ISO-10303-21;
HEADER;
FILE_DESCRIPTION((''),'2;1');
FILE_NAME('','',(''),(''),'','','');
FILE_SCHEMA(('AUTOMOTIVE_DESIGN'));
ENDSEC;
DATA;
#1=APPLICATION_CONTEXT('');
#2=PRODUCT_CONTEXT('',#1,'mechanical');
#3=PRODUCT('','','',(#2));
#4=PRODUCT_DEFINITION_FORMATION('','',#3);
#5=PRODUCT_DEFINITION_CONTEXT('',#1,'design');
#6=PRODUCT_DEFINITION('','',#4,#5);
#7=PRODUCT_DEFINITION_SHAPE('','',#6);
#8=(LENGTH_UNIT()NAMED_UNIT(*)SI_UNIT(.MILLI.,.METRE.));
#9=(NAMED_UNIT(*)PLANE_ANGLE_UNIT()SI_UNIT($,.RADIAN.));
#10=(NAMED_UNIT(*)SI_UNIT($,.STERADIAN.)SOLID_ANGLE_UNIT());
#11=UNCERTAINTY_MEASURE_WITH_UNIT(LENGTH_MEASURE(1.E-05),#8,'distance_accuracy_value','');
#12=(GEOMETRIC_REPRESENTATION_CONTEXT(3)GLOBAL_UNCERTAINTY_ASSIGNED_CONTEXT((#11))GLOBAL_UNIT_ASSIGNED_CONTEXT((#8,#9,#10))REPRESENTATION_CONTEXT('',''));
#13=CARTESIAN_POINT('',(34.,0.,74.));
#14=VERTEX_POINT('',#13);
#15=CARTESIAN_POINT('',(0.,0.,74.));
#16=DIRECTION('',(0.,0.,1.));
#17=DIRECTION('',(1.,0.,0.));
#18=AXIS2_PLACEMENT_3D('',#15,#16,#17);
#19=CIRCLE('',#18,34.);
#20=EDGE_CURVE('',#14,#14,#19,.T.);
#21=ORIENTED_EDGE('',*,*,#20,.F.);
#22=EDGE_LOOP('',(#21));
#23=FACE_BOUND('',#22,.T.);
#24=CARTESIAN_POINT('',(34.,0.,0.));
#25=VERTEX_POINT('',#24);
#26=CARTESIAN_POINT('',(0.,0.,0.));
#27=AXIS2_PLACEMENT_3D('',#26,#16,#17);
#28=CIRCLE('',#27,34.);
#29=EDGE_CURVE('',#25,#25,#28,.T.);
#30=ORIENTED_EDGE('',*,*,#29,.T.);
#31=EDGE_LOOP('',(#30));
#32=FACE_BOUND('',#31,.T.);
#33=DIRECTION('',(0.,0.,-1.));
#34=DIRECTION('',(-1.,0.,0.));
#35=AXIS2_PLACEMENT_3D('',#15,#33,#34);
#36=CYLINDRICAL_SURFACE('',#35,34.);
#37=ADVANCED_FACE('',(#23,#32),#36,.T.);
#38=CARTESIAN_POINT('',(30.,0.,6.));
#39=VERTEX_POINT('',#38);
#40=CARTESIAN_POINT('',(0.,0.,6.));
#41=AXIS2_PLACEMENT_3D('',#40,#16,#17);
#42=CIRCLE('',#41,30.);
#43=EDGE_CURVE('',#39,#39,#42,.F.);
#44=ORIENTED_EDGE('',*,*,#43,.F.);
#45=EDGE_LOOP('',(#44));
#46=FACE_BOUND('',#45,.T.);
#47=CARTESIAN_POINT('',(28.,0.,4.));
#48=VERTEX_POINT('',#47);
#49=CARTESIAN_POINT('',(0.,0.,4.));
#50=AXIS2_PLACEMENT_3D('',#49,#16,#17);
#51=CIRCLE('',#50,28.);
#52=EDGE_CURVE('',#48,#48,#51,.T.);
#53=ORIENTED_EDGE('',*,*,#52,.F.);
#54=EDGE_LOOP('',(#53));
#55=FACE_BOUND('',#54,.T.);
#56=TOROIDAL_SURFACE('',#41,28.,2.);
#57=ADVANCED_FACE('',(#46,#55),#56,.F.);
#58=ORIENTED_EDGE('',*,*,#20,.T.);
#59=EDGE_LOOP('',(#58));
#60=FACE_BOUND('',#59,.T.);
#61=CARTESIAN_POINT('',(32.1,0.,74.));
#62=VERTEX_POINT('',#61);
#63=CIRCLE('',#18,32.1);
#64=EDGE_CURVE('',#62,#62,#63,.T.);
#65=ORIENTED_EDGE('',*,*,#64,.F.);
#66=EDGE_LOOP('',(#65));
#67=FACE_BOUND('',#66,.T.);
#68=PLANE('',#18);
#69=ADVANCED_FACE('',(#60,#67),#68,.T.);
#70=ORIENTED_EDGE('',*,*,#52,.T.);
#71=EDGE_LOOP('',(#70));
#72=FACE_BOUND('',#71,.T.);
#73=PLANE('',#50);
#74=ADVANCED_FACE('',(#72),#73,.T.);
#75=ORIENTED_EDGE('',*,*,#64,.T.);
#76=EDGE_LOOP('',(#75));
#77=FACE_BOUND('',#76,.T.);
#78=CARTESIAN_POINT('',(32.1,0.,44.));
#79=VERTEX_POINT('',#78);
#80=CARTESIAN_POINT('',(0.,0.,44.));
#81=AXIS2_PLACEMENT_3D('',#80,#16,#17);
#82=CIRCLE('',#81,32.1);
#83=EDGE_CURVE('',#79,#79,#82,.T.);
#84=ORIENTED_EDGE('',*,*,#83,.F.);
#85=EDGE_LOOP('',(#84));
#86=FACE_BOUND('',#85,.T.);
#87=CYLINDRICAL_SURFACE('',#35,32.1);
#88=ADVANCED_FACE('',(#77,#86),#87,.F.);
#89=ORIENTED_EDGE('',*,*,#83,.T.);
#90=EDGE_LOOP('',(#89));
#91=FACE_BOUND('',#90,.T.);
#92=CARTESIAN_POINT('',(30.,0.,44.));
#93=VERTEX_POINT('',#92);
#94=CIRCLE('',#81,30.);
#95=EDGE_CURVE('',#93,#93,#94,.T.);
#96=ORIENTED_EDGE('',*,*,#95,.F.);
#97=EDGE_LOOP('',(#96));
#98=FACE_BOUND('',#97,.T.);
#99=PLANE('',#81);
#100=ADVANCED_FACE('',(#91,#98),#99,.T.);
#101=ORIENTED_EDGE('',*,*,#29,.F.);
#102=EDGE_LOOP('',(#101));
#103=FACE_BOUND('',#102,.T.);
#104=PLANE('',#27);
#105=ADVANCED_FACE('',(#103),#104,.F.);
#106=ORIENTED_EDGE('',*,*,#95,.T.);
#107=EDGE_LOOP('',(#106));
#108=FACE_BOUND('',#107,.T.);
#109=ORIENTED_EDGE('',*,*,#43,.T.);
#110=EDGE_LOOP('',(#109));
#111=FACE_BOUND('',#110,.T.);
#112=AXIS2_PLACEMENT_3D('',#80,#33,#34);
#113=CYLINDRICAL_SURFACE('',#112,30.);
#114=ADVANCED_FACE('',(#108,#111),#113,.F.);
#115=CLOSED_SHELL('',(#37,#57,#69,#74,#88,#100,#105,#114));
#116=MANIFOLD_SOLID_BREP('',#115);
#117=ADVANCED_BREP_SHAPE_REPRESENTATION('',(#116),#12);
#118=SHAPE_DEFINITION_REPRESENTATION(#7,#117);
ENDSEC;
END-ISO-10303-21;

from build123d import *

# Parameters (mm, degrees)
SKETCH1_R         = 34
BODY_DEPTH        = 74
SKETCH2_R         = 32.1
SLEEVE_BORE_DEPTH = 30
SKETCH3_R         = 30
CHAMBER_DEPTH     = 40
BASE_CORNER_R     = 2


with BuildPart() as part:
    # Sketch1 → Body (new body)
    with BuildSketch(Plane.XY):
        Circle(SKETCH1_R)
    extrude(amount=BODY_DEPTH)

    # Sketch2 → Sleeve_bore (cut)
    with BuildSketch(Plane.XY.offset(44)):
        Circle(SKETCH2_R)
    extrude(amount=SLEEVE_BORE_DEPTH, mode=Mode.SUBTRACT)

    # Sketch3 → Chamber (cut)
    with BuildSketch(Plane.XY.offset(4)):
        Circle(SKETCH3_R)
    extrude(amount=CHAMBER_DEPTH, mode=Mode.SUBTRACT)

    # Base_corner
    base_corner_edges = [part.edges().sort_by_distance(p)[0] for p in [
        (-30, 0, 4),
    ]]
    fillet(base_corner_edges, radius=BASE_CORNER_R)


solid = part.part
